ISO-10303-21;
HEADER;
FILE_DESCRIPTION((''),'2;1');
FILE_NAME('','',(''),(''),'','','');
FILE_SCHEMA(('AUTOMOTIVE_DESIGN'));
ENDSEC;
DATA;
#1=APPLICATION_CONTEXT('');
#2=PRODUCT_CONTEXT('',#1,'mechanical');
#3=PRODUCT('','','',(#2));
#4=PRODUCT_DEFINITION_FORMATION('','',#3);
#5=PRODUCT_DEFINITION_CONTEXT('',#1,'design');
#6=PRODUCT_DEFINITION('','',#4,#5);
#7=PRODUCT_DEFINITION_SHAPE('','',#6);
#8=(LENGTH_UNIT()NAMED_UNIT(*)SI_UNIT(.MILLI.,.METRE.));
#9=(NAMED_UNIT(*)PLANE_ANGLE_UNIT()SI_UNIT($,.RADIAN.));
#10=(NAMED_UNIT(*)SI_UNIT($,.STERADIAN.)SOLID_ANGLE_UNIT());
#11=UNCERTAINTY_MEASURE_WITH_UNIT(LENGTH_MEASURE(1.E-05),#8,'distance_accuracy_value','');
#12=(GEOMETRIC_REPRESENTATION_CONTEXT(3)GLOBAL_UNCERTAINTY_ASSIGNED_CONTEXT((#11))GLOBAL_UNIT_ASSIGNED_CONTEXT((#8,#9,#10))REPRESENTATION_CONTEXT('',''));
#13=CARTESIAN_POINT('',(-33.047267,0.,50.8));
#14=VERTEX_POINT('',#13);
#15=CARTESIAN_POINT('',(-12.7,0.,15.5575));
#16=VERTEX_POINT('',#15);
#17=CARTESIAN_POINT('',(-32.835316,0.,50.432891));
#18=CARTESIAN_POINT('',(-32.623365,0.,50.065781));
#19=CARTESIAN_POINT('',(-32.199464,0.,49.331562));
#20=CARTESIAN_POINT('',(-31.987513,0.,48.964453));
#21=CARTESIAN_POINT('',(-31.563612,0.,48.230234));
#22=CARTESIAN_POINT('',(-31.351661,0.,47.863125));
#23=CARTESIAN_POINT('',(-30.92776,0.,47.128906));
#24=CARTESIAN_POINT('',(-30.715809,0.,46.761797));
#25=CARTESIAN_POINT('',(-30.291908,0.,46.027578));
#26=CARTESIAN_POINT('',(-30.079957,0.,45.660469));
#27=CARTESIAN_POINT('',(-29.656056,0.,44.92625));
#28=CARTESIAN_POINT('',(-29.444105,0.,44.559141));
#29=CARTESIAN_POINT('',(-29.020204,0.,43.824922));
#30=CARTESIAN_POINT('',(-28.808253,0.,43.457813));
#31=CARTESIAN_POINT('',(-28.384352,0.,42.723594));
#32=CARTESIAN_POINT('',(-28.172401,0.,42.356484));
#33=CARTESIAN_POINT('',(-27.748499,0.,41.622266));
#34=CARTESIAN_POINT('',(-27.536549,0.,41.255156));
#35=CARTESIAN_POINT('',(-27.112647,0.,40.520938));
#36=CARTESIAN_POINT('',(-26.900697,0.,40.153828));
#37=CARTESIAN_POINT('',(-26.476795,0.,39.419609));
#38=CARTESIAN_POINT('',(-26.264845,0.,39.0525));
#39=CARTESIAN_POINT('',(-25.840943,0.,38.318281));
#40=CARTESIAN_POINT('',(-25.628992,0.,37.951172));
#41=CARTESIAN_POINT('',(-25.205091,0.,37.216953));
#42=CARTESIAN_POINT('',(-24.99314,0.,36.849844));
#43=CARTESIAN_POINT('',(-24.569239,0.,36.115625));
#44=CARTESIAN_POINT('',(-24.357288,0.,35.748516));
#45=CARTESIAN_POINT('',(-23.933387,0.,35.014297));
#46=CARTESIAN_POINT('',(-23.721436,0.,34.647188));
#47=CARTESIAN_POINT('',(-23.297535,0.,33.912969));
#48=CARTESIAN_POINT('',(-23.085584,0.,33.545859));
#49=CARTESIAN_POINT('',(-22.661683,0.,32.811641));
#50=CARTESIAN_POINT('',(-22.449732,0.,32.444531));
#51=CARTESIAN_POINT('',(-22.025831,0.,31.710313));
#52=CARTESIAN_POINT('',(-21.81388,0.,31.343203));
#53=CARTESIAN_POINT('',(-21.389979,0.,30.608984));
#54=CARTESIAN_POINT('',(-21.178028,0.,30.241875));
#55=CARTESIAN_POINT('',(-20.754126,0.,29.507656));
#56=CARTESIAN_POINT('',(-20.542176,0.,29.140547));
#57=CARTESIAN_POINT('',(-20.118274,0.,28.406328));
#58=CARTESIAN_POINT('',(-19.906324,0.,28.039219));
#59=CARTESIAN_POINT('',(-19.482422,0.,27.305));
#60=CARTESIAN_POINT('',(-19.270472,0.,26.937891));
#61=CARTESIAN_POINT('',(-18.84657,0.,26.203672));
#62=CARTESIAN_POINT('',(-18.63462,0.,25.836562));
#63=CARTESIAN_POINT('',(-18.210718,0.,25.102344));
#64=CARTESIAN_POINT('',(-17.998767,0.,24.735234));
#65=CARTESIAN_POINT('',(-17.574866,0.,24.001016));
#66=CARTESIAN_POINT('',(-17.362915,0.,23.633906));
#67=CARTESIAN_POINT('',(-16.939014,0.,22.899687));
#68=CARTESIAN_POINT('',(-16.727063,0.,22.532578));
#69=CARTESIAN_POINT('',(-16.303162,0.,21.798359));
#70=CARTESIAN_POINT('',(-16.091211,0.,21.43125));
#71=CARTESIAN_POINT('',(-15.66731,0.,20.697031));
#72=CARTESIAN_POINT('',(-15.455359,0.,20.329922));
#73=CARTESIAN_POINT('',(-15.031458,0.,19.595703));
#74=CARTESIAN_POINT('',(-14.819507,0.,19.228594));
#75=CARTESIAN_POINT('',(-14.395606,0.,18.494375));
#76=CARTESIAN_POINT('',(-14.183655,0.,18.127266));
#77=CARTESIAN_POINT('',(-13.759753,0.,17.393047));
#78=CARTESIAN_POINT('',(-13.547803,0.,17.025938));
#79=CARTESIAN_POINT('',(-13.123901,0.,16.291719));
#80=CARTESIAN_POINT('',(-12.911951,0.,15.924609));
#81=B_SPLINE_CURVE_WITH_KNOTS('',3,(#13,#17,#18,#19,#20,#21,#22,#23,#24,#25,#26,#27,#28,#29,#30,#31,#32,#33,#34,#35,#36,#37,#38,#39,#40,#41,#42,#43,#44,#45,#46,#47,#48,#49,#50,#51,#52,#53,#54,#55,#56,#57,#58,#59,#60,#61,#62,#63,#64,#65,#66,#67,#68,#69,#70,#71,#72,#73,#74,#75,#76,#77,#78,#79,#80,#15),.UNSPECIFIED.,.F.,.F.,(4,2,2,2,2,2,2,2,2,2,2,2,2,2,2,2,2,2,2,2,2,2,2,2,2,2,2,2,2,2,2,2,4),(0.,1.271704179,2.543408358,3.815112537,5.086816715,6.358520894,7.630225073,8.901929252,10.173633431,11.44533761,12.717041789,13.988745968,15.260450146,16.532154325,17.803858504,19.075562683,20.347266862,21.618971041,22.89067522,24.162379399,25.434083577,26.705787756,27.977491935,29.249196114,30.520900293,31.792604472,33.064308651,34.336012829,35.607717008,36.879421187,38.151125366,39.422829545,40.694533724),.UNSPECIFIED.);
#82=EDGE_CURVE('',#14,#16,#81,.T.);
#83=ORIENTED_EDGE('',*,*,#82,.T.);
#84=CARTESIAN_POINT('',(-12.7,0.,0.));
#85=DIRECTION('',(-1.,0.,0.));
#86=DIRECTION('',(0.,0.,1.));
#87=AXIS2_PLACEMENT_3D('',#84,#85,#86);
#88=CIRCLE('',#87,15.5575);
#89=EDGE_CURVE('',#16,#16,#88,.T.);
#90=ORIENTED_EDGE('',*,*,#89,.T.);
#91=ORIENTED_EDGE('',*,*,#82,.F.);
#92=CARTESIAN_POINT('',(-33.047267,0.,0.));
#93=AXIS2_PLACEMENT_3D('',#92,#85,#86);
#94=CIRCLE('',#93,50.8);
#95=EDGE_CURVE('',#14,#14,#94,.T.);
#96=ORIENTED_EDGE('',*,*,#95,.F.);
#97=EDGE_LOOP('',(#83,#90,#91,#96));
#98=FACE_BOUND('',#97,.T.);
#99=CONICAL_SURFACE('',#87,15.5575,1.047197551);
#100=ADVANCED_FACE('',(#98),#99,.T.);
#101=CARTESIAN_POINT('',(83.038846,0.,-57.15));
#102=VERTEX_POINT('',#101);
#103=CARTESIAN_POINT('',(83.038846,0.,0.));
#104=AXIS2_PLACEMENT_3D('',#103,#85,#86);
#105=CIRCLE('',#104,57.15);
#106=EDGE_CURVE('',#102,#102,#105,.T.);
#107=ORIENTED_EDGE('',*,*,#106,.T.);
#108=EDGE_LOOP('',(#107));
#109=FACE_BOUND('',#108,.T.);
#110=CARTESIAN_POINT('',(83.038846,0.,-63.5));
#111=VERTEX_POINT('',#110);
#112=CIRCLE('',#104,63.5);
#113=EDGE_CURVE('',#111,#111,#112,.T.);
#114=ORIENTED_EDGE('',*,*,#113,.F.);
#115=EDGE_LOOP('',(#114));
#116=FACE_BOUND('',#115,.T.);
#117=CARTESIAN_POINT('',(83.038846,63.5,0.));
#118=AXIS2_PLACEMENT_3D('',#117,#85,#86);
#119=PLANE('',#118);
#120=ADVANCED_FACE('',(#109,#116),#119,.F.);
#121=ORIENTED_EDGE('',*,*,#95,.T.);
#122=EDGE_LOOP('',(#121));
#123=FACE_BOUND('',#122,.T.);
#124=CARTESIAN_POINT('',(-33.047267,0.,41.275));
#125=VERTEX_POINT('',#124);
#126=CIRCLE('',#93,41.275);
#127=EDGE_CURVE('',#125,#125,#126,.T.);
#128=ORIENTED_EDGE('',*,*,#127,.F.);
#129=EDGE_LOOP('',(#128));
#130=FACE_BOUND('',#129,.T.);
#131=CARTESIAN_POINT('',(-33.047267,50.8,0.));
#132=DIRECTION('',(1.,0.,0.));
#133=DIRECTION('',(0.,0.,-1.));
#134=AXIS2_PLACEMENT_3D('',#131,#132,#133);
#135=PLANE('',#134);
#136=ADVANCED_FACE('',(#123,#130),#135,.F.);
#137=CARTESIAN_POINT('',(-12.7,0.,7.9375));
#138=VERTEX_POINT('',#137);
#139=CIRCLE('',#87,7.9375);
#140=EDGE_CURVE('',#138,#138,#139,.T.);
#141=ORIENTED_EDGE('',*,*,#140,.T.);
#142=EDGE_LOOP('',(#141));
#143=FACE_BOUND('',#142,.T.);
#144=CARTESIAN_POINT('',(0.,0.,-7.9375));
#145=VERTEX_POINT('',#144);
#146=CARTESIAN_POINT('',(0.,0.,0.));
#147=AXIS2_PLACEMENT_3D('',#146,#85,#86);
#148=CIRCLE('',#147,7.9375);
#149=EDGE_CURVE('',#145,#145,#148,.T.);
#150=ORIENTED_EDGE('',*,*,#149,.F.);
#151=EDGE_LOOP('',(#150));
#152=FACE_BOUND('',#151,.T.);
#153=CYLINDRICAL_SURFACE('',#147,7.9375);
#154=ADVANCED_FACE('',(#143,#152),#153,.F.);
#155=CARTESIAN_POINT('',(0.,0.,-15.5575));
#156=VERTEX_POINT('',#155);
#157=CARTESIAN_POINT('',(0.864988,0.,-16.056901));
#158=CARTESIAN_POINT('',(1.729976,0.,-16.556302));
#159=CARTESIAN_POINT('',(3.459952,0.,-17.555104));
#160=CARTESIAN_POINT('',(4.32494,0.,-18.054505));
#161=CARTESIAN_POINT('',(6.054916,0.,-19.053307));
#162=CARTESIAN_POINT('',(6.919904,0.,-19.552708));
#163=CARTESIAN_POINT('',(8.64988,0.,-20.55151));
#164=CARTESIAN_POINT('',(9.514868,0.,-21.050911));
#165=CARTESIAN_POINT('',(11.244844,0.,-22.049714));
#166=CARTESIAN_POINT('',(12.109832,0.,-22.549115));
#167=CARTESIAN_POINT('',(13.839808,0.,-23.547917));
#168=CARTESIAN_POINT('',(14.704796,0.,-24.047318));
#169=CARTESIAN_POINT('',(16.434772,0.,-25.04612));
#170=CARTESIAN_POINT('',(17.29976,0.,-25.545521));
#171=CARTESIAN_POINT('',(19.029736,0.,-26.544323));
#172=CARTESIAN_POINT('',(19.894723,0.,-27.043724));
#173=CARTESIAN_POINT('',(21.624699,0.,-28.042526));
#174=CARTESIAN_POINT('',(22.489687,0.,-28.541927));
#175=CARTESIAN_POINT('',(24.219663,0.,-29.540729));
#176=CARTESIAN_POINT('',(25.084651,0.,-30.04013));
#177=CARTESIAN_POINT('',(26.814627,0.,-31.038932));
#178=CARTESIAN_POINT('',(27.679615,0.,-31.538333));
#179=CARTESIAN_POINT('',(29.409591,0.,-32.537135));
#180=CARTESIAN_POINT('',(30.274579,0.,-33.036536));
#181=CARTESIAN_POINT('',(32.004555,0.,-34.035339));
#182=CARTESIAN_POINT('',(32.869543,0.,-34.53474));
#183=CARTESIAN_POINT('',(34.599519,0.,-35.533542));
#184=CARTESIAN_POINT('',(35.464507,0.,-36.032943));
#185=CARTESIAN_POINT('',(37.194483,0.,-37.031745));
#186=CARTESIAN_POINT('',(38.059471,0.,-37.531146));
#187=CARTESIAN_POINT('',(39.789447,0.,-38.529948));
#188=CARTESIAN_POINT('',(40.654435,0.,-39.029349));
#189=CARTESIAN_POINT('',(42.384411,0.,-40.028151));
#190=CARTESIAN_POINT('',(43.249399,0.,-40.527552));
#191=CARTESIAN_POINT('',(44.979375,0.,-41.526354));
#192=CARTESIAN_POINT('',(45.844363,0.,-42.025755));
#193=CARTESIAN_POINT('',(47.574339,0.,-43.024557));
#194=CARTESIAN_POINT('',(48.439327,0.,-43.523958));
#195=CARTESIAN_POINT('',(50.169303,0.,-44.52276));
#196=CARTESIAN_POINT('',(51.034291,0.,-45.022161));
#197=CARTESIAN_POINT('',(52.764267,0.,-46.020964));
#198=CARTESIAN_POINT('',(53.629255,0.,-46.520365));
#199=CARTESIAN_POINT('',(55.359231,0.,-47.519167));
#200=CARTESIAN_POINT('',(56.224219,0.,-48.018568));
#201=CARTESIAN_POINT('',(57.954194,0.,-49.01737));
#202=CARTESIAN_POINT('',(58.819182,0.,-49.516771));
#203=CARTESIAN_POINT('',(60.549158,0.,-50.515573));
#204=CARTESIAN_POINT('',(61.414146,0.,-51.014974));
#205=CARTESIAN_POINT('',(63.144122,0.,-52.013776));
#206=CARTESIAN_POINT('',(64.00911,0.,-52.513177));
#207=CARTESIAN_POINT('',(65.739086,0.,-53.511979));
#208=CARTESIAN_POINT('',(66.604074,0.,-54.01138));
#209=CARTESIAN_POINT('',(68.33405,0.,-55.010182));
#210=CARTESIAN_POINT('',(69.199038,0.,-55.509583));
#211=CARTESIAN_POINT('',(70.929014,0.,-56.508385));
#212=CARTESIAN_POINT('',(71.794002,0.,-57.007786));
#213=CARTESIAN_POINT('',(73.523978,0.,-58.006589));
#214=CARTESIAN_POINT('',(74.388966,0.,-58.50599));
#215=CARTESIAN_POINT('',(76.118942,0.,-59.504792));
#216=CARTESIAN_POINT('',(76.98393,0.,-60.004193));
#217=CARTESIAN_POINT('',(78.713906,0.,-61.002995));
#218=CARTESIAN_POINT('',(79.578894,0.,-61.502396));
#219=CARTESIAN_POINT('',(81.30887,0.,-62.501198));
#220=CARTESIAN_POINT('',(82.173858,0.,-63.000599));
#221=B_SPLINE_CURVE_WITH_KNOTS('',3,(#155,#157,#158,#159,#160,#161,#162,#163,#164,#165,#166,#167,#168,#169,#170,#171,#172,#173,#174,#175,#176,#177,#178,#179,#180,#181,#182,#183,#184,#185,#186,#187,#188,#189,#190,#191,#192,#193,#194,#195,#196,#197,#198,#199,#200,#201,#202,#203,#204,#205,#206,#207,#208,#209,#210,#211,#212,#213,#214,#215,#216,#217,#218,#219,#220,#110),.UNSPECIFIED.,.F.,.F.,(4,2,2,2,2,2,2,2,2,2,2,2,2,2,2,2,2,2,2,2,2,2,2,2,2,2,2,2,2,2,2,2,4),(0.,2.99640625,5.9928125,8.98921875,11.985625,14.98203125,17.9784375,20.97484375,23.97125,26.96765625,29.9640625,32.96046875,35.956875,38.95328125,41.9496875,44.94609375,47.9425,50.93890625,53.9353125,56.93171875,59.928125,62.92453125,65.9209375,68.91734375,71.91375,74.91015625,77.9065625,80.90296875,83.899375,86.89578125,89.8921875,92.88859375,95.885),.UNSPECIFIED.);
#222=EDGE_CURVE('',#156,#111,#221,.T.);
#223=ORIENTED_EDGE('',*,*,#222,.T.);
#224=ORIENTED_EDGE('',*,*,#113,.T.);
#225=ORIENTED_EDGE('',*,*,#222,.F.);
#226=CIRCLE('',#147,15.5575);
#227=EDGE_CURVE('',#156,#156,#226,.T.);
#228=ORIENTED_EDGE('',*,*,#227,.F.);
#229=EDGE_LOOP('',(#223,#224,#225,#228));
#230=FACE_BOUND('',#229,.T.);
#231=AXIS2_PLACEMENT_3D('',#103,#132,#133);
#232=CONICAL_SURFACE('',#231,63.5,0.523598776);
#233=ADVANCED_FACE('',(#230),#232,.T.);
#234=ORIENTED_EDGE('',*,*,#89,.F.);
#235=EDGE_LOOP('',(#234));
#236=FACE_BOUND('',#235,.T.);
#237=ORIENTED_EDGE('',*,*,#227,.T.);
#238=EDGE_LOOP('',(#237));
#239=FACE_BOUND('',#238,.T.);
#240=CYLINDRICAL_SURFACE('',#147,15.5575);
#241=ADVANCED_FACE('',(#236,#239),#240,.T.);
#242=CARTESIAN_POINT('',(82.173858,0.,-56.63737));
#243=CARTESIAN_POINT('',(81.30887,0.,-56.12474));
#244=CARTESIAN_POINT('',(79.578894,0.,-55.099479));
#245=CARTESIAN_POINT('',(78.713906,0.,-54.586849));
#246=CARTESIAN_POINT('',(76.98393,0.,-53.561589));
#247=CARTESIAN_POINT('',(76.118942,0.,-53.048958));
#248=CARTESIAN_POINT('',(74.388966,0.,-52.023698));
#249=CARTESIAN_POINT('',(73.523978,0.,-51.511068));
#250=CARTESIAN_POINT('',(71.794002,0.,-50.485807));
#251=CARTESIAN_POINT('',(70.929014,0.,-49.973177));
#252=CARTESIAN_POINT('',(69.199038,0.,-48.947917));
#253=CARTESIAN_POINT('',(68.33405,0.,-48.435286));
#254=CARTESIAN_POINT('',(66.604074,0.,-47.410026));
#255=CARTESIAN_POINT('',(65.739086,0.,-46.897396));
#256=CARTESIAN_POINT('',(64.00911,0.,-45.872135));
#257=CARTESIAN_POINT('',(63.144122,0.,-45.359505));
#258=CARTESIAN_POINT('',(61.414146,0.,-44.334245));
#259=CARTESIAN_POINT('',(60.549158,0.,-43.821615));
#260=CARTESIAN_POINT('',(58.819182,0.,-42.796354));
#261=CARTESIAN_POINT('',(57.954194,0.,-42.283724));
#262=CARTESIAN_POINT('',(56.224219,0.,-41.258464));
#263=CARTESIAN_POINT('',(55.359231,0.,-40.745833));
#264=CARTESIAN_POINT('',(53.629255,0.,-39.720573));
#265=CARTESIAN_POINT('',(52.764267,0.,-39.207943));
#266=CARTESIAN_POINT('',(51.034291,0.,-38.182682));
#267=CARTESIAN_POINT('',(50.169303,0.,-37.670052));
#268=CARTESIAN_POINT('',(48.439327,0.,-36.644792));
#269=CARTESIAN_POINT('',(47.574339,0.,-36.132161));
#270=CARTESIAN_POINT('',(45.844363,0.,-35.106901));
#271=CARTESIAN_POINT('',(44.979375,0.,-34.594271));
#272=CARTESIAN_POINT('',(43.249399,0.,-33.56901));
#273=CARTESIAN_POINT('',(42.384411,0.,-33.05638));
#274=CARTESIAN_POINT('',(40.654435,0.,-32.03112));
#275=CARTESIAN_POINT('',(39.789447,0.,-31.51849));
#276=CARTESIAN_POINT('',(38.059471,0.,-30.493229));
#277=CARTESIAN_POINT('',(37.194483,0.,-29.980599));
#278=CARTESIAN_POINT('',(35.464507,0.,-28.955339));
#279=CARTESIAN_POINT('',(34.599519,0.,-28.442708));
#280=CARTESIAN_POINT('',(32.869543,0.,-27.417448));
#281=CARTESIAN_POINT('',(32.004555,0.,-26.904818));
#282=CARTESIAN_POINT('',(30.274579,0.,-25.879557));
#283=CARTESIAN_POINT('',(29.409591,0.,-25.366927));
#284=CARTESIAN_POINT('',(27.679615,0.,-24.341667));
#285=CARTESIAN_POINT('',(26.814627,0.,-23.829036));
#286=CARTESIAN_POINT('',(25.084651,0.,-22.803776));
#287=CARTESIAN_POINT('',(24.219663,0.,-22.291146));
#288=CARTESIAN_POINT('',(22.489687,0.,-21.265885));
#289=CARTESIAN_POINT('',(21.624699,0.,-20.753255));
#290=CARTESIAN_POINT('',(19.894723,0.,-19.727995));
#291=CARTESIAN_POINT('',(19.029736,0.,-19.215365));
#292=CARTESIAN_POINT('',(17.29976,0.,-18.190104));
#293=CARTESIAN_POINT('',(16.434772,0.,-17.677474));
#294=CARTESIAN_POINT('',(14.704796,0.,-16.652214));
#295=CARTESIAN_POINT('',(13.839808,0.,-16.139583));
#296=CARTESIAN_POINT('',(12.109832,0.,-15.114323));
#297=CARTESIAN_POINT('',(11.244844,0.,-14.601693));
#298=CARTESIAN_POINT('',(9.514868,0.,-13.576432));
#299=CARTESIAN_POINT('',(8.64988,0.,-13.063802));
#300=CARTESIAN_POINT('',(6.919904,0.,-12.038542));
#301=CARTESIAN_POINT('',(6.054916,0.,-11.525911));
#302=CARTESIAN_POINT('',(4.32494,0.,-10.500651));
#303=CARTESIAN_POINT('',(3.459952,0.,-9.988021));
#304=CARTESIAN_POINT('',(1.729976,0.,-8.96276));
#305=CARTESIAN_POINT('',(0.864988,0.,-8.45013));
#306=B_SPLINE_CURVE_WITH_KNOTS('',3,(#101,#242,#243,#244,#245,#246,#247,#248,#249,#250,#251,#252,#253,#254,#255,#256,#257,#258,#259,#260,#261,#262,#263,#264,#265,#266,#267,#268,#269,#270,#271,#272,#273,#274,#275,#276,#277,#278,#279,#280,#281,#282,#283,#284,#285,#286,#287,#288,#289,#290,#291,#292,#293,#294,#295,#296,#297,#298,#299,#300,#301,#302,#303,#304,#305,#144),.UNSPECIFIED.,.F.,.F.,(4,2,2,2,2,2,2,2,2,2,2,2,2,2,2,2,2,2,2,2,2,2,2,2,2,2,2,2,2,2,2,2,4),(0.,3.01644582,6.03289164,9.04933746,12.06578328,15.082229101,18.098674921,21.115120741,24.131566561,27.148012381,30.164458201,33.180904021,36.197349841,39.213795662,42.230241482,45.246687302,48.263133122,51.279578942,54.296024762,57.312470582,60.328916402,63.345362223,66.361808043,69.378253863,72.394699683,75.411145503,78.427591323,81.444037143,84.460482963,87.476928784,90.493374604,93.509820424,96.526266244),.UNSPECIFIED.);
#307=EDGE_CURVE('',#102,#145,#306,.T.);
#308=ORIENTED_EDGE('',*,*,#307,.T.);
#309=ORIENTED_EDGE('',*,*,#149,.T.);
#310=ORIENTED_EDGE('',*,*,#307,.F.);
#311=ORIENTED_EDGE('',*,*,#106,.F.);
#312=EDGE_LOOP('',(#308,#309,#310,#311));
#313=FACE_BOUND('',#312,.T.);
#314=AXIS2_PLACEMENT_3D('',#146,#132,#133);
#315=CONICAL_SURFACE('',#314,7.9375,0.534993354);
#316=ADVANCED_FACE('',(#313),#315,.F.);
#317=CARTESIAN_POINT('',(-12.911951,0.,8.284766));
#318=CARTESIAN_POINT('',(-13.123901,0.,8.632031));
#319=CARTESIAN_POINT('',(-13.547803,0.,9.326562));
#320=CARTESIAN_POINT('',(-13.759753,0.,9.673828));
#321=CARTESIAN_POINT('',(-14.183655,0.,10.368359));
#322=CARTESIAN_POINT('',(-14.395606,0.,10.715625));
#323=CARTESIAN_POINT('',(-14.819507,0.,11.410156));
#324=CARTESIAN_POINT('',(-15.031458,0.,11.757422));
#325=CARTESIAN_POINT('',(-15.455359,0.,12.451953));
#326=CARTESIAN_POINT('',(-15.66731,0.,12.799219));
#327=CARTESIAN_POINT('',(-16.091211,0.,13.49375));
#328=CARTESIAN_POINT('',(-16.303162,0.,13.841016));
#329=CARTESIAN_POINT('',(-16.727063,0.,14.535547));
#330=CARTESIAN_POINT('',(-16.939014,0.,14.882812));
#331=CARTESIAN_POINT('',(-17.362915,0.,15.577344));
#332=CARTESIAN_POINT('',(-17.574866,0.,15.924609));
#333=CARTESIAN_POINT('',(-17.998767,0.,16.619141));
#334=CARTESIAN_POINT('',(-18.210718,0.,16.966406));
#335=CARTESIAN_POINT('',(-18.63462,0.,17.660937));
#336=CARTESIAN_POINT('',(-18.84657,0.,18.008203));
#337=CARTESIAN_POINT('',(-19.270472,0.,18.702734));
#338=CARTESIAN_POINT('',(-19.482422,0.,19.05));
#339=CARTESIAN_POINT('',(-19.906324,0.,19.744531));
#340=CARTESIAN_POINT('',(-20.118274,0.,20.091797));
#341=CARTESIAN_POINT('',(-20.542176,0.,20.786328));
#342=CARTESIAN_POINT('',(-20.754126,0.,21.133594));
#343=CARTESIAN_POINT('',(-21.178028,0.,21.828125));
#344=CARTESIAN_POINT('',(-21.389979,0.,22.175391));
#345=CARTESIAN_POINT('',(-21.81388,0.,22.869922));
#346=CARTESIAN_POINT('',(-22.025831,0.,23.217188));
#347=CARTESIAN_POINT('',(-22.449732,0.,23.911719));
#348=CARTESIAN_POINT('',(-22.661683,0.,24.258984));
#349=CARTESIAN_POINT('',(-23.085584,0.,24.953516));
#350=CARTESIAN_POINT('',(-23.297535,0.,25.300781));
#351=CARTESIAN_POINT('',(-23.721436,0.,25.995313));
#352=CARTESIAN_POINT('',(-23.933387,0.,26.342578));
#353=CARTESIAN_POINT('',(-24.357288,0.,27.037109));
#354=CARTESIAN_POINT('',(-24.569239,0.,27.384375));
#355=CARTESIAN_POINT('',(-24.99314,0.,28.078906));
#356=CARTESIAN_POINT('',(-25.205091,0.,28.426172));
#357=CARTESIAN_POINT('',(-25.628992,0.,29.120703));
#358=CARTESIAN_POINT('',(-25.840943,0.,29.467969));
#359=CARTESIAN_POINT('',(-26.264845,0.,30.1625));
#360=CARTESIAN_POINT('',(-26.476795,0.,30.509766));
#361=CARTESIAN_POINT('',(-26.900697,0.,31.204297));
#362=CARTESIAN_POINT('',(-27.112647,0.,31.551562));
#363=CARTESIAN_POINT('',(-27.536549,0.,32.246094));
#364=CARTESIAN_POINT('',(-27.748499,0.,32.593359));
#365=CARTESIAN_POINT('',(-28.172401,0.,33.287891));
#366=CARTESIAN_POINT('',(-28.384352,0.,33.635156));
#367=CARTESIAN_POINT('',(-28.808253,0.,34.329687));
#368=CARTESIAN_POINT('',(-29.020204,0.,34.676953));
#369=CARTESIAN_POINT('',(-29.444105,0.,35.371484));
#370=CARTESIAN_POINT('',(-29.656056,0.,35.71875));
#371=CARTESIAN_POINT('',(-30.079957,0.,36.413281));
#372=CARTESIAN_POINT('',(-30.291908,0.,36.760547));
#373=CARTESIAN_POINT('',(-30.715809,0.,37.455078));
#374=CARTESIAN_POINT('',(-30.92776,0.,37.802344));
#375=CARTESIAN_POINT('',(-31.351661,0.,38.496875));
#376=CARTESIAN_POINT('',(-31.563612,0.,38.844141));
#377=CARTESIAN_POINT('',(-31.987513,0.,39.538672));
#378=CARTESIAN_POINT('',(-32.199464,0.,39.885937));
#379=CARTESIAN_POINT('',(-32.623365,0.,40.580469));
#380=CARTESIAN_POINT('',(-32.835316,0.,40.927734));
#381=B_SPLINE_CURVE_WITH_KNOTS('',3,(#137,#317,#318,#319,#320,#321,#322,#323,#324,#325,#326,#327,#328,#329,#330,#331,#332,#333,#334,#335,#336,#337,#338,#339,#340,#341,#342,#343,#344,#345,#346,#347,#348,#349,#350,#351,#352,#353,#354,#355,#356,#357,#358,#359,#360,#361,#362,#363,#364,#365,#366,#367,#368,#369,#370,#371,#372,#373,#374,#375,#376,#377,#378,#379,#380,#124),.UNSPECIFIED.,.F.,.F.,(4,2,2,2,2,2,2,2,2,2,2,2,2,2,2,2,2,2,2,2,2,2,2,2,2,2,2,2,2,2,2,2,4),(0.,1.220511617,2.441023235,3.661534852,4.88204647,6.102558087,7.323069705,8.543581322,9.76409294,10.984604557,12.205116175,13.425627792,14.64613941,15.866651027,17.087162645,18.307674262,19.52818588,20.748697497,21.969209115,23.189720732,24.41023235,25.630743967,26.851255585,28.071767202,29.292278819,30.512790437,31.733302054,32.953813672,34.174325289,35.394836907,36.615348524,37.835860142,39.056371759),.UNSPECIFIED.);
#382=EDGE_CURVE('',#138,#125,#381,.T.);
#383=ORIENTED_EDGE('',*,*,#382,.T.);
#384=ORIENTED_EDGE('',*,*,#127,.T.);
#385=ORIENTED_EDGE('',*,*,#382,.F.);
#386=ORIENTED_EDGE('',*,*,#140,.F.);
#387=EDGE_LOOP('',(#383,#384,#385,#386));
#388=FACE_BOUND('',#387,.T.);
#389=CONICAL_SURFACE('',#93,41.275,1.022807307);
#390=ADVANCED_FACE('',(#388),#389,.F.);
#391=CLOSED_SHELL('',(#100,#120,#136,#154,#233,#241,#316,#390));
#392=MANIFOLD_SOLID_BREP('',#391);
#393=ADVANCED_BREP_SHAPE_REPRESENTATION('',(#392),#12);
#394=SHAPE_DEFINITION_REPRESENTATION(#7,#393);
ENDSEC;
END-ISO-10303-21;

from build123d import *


with BuildPart() as part:
    # Sketch1 → Revolve1 (revolve)
    with BuildSketch(Plane.XY, mode=Mode.PRIVATE) as revolve1_sk:
        Polygon((0, 15.5575), (83.038845842, 63.5), (83.038845842, 57.15), (0, 7.9375), (-12.7, 7.9375), (-33.047266862, 41.275), (-33.047266862, 50.8), (-12.7, 15.5575), align=None)
    revolve(revolve1_sk.sketch.rotate(Axis((0, 0, 0), (1, 0, 0)), 90), axis=Axis((0, 0, 0), (1, 0, 0)))


solid = part.part
